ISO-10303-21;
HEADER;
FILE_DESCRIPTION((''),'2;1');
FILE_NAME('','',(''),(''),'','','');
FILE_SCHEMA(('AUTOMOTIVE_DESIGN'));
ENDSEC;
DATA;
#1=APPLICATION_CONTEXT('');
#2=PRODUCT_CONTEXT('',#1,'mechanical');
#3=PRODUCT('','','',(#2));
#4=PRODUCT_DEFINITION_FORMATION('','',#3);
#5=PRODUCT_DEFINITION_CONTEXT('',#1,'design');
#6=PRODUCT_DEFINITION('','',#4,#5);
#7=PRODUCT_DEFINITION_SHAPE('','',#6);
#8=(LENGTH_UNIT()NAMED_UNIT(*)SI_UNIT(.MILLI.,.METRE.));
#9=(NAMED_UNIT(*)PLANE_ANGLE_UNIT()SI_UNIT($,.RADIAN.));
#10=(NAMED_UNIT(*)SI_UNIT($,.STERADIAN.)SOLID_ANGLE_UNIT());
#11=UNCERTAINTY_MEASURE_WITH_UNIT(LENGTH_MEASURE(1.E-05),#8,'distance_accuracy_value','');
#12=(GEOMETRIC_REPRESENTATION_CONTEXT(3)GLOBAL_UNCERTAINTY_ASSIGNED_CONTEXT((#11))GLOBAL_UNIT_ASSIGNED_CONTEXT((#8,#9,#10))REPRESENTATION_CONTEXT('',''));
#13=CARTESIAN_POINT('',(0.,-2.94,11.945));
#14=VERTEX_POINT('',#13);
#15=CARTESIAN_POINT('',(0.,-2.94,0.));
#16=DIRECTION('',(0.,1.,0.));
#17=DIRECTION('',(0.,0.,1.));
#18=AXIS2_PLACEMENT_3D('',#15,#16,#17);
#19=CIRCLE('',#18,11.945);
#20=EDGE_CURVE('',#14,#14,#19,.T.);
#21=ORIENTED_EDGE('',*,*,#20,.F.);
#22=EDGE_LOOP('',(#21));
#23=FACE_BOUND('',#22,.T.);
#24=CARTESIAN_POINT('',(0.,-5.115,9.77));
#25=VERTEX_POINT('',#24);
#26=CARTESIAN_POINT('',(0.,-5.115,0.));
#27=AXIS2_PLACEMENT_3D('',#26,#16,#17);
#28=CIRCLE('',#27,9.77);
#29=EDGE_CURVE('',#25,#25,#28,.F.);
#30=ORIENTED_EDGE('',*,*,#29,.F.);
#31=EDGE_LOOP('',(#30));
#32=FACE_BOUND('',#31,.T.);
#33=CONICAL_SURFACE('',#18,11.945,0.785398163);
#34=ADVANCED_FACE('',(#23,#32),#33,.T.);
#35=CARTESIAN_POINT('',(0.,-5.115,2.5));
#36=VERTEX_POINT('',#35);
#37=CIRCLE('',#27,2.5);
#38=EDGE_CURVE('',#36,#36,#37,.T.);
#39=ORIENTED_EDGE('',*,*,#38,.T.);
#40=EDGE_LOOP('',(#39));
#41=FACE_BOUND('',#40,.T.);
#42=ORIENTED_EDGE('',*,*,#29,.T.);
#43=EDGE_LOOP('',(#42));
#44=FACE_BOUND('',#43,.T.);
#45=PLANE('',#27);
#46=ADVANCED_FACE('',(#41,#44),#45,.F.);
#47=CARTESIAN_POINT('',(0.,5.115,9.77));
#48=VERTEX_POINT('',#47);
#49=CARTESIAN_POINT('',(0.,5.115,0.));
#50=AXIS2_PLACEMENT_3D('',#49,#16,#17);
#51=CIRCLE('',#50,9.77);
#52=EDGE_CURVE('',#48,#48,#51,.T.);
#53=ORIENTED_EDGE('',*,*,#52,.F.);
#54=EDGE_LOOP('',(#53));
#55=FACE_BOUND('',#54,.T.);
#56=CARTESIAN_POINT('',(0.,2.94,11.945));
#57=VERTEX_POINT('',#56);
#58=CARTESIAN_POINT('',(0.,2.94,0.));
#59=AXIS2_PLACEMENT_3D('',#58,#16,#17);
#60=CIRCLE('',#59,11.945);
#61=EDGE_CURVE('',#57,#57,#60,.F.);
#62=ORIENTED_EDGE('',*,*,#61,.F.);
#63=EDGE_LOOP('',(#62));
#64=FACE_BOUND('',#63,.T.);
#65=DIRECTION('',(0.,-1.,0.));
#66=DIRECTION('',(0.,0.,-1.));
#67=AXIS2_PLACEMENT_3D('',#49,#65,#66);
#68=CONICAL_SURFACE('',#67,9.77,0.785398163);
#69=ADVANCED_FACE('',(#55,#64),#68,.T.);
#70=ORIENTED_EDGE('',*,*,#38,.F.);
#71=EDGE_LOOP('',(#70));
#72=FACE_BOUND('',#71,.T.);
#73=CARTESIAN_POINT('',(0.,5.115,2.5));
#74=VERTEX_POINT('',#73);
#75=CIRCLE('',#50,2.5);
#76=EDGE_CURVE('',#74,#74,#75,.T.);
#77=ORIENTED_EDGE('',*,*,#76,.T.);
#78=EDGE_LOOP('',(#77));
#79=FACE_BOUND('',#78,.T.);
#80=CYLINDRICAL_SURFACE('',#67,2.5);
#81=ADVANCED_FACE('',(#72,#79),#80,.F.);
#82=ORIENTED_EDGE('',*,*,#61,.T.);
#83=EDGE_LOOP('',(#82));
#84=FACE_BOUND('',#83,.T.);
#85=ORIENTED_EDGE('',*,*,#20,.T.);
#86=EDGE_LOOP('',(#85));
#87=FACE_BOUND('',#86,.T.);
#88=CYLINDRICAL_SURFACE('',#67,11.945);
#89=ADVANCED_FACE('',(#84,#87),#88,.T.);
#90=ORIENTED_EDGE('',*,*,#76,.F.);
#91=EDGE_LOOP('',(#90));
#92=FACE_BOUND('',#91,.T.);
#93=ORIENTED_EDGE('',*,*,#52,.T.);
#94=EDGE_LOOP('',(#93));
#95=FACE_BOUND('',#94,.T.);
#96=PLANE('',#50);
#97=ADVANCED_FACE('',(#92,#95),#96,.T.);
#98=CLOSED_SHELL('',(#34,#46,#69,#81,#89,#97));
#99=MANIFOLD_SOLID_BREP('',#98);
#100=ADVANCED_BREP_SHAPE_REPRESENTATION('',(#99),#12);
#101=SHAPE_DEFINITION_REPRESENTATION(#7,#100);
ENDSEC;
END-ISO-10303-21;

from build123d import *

# Parameters (mm, degrees)
SKETCH1_R           = 11.945
SKETCH1_R_2         = 2.5
BOSS_EXTRUDE1_DEPTH = 5.115
CHAMFER1_SIZE       = 2.175


with BuildPart() as part:
    # Sketch1 → Boss-Extrude1 (new, symmetric)
    with BuildSketch(Plane(origin=(0, 0, 0), x_dir=(1, 0, 0), z_dir=(0, 1, 0))):
        with Locations(Location((0, 0, 0), (0, 0, 270))):
            Circle(SKETCH1_R)
        with Locations(Location((0, 0, 0), (0, 0, 270))):
            Circle(SKETCH1_R_2, mode=Mode.SUBTRACT)
    extrude(amount=BOSS_EXTRUDE1_DEPTH, both=True)

    # Chamfer1
    chamfer1_edges = [part.edges().sort_by_distance(p)[0] for p in [
        (0, -5.115, -11.945),
        (0, 5.115, -11.945),
    ]]
    chamfer(chamfer1_edges, length=CHAMFER1_SIZE)


solid = part.part
